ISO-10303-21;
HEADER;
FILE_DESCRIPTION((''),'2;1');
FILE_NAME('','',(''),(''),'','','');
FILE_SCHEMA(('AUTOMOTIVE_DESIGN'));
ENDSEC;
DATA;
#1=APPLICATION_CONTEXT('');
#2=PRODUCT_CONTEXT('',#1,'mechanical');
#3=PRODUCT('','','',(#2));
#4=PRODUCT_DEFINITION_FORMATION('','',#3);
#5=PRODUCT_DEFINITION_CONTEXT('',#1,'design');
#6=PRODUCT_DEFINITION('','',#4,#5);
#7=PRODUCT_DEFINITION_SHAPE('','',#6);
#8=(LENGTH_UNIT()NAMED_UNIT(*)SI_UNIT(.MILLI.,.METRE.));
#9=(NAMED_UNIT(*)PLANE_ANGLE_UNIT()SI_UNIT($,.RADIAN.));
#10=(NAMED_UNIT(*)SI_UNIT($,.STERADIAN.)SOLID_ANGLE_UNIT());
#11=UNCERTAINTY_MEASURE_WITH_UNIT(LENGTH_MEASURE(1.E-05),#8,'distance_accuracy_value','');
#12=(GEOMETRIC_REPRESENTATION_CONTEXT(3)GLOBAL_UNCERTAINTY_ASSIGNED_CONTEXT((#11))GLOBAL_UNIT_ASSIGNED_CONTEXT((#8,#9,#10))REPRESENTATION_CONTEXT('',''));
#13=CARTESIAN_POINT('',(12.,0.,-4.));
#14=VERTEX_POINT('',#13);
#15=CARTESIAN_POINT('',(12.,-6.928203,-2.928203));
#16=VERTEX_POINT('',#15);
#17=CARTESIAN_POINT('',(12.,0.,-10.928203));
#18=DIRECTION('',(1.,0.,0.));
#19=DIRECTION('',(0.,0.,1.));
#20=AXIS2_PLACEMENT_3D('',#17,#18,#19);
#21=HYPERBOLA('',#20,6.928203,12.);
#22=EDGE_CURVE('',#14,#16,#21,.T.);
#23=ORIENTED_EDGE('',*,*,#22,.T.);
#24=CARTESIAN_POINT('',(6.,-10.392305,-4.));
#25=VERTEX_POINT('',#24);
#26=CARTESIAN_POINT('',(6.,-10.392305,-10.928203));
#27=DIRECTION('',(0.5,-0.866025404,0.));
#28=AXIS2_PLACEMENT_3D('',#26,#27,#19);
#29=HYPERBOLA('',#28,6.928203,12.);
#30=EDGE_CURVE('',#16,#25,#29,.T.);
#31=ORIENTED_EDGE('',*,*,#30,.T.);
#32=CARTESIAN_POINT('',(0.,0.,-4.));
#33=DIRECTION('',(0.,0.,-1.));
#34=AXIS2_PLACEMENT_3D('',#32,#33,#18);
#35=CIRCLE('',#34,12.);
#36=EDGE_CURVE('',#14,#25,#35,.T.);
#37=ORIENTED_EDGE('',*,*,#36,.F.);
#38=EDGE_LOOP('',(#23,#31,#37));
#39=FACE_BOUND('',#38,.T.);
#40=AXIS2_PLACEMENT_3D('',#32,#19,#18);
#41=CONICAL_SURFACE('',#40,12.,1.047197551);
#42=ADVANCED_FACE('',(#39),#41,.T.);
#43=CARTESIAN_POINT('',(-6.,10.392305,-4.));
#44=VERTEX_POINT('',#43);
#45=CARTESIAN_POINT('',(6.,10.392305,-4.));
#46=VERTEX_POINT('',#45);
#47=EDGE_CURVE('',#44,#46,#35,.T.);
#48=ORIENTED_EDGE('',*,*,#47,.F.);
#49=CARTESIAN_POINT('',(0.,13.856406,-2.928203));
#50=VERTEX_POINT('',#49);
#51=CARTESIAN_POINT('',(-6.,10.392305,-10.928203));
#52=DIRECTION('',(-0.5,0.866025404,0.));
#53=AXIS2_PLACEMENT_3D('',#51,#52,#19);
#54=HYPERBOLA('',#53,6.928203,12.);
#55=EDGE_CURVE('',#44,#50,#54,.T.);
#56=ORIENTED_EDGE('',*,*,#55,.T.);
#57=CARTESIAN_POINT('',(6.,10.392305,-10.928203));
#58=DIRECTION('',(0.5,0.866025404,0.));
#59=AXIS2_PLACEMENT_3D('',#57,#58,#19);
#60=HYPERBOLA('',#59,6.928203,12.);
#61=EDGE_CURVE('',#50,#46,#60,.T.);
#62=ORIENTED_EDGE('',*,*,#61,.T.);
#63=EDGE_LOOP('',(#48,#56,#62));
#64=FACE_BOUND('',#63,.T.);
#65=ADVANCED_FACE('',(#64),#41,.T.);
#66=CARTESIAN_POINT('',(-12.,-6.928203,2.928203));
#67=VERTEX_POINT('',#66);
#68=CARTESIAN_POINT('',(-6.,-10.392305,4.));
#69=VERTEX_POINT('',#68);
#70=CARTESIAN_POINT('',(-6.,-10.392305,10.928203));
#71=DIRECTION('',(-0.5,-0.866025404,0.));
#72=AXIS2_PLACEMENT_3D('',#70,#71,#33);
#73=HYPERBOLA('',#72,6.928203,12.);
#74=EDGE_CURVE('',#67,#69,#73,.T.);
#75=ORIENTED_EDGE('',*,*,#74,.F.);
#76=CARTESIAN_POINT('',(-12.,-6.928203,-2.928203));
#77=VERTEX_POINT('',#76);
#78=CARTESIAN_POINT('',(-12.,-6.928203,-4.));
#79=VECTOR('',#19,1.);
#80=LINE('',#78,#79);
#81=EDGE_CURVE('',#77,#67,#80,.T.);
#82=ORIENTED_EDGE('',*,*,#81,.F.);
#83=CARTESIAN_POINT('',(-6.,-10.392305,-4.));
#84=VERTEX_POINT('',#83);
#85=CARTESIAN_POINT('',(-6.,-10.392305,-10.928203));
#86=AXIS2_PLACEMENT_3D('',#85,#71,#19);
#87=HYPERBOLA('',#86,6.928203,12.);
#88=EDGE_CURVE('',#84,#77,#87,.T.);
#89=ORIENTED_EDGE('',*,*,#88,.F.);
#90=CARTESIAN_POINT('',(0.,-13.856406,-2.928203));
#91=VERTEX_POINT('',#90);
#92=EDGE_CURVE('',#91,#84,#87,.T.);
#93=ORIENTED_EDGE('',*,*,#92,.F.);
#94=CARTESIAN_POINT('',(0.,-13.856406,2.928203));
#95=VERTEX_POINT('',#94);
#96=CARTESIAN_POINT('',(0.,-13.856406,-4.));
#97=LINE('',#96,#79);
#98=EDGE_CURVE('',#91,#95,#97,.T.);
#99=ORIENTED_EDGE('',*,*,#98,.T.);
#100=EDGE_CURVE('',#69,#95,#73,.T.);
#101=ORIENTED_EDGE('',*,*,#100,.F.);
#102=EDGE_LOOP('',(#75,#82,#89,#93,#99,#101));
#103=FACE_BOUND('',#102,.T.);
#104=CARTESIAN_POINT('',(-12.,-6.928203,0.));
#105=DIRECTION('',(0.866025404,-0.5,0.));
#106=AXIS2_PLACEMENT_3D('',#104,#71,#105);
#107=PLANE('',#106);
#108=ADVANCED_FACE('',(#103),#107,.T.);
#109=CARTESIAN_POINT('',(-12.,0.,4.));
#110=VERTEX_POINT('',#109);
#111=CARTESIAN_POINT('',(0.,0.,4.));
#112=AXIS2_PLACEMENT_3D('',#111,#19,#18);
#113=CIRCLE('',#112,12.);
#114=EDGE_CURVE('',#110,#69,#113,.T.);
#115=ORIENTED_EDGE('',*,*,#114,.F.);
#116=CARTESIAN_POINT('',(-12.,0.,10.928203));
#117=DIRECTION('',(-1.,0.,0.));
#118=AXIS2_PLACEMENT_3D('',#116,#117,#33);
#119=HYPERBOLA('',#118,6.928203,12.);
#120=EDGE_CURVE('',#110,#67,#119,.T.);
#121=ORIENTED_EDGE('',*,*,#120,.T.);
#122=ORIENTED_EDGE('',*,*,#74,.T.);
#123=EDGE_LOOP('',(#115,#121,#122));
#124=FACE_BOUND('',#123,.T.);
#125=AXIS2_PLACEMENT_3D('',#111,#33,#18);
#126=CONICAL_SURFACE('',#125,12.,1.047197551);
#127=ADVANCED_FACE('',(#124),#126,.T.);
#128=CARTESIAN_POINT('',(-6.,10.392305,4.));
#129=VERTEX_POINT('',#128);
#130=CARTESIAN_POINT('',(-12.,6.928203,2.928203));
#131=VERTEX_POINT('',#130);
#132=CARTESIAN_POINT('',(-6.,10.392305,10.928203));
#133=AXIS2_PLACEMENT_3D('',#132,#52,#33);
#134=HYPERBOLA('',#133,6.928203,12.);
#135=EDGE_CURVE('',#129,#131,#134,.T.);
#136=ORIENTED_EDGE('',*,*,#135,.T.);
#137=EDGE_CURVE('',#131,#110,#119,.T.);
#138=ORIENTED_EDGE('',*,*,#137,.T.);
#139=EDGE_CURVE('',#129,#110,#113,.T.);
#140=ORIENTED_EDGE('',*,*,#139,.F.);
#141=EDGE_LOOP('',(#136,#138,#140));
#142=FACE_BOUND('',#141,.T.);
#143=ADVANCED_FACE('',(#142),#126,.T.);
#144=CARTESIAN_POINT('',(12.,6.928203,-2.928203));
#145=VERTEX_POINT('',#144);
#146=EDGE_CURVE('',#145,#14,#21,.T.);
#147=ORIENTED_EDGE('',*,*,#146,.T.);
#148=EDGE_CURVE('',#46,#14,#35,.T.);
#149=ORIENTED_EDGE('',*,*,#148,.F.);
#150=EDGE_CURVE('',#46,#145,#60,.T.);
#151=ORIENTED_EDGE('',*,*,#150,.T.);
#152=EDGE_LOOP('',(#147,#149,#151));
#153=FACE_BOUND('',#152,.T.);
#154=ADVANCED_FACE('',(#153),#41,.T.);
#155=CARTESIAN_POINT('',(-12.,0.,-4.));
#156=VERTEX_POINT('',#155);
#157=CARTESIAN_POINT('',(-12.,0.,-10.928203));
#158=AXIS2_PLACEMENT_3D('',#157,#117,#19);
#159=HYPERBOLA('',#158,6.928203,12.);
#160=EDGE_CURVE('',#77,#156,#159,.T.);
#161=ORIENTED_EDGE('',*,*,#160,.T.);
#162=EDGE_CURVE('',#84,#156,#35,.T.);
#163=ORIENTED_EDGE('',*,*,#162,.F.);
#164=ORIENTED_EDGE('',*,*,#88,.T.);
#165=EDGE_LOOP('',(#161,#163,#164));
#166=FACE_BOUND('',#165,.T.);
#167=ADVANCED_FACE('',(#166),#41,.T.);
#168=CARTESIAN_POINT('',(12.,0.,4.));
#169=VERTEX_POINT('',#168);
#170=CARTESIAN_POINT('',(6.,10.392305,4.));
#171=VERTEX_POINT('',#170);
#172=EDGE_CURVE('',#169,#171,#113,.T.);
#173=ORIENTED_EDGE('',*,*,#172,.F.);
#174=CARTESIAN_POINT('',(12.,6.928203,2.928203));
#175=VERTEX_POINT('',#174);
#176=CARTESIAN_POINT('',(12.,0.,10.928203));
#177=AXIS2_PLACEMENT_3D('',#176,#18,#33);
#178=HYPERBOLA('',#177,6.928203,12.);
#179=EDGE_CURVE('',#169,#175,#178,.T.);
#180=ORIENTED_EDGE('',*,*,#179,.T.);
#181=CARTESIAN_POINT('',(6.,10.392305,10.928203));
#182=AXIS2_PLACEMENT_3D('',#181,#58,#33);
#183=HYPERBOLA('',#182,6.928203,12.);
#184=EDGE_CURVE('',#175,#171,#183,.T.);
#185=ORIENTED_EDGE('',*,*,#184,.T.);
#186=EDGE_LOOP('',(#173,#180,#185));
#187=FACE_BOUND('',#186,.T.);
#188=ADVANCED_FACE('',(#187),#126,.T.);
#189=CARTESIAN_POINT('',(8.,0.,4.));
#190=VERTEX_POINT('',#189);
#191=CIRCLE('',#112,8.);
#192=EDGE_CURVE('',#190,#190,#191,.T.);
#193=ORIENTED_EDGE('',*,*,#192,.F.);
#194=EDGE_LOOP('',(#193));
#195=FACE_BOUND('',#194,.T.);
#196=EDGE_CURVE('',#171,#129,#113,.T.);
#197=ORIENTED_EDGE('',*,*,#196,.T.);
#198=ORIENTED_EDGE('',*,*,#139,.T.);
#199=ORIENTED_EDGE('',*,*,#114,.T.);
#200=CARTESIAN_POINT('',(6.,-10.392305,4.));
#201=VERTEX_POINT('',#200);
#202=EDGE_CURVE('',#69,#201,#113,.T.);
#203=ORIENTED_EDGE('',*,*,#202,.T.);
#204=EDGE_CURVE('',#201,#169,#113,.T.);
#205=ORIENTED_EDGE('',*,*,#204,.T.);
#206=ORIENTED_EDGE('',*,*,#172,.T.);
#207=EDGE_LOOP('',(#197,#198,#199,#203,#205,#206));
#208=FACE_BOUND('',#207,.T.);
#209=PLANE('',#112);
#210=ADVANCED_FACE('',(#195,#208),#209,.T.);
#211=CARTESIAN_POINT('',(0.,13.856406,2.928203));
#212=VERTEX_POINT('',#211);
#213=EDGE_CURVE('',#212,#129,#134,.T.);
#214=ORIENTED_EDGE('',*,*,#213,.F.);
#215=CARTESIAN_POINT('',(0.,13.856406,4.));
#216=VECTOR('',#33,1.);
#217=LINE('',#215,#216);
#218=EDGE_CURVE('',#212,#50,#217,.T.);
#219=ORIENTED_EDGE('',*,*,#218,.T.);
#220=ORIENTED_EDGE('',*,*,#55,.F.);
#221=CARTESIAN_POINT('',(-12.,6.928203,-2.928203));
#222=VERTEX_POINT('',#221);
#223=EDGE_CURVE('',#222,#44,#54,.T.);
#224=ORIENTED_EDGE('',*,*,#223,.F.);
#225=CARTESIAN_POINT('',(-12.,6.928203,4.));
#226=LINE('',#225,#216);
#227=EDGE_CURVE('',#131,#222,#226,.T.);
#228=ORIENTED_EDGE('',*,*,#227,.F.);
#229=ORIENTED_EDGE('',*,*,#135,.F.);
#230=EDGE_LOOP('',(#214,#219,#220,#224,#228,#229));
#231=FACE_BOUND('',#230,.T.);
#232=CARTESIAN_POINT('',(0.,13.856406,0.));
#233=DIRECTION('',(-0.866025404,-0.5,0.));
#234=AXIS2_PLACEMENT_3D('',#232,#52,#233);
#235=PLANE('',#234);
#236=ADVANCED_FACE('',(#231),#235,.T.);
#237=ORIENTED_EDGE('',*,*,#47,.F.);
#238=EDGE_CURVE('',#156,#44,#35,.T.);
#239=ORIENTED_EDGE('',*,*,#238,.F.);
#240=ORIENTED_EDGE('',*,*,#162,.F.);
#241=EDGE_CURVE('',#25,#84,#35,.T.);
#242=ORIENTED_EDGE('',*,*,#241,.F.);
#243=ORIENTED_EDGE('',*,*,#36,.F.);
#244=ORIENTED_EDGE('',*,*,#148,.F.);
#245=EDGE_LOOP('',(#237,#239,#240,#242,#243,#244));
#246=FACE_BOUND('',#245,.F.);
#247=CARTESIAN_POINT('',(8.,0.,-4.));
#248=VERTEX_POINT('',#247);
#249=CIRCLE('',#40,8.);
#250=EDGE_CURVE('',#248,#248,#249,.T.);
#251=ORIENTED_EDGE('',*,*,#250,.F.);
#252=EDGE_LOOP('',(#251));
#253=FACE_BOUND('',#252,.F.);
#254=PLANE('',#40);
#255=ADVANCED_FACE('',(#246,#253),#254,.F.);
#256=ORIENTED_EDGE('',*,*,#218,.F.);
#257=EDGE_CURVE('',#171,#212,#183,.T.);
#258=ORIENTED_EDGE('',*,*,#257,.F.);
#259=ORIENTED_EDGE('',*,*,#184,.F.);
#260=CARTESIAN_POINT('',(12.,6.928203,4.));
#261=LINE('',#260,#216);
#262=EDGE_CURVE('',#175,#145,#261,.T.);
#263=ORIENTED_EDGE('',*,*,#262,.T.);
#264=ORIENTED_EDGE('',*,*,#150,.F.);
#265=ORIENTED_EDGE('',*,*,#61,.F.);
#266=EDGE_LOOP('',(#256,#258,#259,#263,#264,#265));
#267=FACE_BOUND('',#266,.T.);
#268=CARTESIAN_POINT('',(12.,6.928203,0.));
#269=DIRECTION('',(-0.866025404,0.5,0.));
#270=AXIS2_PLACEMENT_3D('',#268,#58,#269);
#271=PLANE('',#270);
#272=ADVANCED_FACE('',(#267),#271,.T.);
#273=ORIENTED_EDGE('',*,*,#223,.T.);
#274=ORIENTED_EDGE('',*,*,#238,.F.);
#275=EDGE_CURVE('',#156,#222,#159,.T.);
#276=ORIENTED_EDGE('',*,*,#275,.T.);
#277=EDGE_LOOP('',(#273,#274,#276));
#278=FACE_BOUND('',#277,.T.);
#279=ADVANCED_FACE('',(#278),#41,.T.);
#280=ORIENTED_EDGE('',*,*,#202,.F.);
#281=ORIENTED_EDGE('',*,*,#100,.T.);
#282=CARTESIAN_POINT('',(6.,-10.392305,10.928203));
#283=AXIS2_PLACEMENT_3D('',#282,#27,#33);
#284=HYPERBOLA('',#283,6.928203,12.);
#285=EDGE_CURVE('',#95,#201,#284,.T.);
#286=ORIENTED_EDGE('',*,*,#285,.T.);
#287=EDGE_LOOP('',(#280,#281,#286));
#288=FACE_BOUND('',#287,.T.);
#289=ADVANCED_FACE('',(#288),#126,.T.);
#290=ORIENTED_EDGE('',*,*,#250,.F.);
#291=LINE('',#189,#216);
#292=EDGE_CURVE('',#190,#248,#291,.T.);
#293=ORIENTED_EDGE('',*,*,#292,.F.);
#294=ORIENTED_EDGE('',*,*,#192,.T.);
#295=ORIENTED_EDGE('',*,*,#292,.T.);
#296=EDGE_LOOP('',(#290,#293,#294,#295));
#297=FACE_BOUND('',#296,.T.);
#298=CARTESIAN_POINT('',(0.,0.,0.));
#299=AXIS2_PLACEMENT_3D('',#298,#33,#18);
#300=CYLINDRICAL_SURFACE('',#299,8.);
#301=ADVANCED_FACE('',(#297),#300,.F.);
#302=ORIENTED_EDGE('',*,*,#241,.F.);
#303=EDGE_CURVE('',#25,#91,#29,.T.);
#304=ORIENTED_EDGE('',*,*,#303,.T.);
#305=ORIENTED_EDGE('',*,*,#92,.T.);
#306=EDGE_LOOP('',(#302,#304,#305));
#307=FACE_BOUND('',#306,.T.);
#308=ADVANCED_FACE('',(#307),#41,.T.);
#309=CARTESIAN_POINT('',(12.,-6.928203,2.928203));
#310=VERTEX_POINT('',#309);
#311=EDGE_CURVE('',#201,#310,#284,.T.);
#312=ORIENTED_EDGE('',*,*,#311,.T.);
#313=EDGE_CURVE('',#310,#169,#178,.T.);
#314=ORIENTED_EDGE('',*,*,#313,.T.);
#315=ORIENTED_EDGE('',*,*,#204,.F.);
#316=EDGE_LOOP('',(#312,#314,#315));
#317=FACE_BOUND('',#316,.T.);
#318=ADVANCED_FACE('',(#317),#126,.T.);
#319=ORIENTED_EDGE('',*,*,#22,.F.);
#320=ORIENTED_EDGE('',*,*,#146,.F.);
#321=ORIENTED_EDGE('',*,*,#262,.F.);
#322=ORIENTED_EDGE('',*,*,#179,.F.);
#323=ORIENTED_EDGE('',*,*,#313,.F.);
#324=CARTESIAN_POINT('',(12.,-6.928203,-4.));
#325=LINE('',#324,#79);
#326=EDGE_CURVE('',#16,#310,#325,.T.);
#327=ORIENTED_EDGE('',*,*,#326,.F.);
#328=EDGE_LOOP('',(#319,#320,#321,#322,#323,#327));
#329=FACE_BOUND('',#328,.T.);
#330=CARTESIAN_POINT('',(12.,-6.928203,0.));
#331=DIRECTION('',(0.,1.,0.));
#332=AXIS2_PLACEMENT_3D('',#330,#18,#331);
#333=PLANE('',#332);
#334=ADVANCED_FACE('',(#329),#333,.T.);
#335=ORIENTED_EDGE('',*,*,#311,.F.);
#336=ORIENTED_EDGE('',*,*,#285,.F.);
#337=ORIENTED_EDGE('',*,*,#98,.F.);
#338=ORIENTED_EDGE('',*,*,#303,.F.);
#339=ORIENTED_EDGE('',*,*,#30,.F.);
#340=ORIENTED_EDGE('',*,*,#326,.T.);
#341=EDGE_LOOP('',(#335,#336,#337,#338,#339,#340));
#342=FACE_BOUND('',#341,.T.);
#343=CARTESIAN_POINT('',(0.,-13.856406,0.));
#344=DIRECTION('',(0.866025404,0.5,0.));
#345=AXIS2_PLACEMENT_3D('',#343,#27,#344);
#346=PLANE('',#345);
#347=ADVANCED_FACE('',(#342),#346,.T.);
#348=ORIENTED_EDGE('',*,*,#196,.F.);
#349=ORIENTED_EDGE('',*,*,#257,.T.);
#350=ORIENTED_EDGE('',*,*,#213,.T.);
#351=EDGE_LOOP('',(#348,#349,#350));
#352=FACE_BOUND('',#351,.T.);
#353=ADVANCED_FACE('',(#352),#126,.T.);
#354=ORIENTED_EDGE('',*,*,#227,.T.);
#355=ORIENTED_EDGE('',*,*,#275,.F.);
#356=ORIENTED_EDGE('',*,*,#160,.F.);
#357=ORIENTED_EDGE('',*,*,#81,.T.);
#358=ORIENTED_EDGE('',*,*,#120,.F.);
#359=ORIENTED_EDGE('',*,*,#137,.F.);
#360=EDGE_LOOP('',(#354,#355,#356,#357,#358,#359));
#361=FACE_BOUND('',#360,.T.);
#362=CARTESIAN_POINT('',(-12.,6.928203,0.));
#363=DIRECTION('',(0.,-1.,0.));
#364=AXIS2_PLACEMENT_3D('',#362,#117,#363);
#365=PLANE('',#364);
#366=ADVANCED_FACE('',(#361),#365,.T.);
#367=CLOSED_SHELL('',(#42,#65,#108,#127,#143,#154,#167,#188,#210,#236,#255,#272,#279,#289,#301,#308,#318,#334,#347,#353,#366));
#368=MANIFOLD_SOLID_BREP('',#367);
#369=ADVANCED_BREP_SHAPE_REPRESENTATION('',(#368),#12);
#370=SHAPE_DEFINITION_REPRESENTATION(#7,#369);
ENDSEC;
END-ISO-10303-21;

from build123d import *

# Parameters (mm, degrees)
SZKIC1_R                    = 8
DODANIE_WYCI_GNI_CIE1_DEPTH = 4
SZKIC2_OUTSIDE_W            = 61.218
SZKIC2_OUTSIDE_H            = 64.93
SZKIC2_OUTSIDE_R            = 12
WYTNIJ_WYCI_GNI_CIE2_DEPTH  = 8
WYTNIJ_WYCI_GNI_CIE2_DRAFT  = -60
LUSTRO1_COPY_1_SKETCH_W     = 61.218
LUSTRO1_COPY_1_SKETCH_H     = 64.93
LUSTRO1_COPY_1_SKETCH_R     = 12
LUSTRO1_COPY_1_DEPTH        = 8
LUSTRO1_COPY_1_DRAFT        = -60


with BuildPart() as part:
    # Szkic1 → Dodanie-wyciągnięcie1 (new, symmetric)
    with BuildSketch(Plane.XY):
        Polygon((-12, 6.92820323), (-12, -6.92820323), (0, -13.856406461), (12, -6.92820323), (12, 6.92820323), (0, 13.856406461), align=None)
        Circle(SZKIC1_R, mode=Mode.SUBTRACT)
    extrude(amount=DODANIE_WYCI_GNI_CIE1_DEPTH, both=True)


with BuildPart() as wytnij_wyci_gni_cie2_tool:
    # Szkic2 outside → Wytnij-wyciągnięcie2 (with draft: the straight prism first)
    with BuildSketch(Plane.XY.offset(4)):
        Rectangle(SZKIC2_OUTSIDE_W, SZKIC2_OUTSIDE_H)
        Circle(SZKIC2_OUTSIDE_R, mode=Mode.SUBTRACT)
    extrude(amount=-WYTNIJ_WYCI_GNI_CIE2_DEPTH)
    # Wytnij-wyciągnięcie2: the draft: its side faces are tilted about the plane it starts from
    wytnij_wyci_gni_cie2_sides = [wytnij_wyci_gni_cie2_tool.faces().sort_by_distance(p)[0] for p in [
        (0, -32.465, 0),
        (30.609, 0, 0),
        (0, 32.465, 0),
        (-30.609, 0, 0),
        (-12, 0, 0),
    ]]
    draft(wytnij_wyci_gni_cie2_sides, Plane.XY.offset(4), WYTNIJ_WYCI_GNI_CIE2_DRAFT)


with BuildPart() as part_1:
    add(part.part)

    # Wytnij-wyciągnięcie2: cut by wytnij_wyci_gni_cie2_tool
    add(wytnij_wyci_gni_cie2_tool.part, mode=Mode.SUBTRACT)


with BuildPart() as lustro1_copy_1_tool:
    # Lustro1 copy 1 sketch → Lustro1 copy 1 (with draft: the straight prism first)
    with BuildSketch(Plane(origin=(0, 0, -4), x_dir=(1, 0, 0), z_dir=(0, 0, -1))):
        Rectangle(LUSTRO1_COPY_1_SKETCH_W, LUSTRO1_COPY_1_SKETCH_H)
        Circle(LUSTRO1_COPY_1_SKETCH_R, mode=Mode.SUBTRACT)
    extrude(amount=-LUSTRO1_COPY_1_DEPTH)
    # Lustro1 copy 1: the draft: its side faces are tilted about the plane it starts from
    lustro1_copy_1_sides = [lustro1_copy_1_tool.faces().sort_by_distance(p)[0] for p in [
        (0, -32.465, 0),
        (30.609, 0, 0),
        (0, 32.465, 0),
        (-30.609, 0, 0),
        (-12, 0, 0),
    ]]
    draft(lustro1_copy_1_sides, Plane(origin=(0, 0, -4), x_dir=(1, 0, 0), z_dir=(0, 0, -1)), LUSTRO1_COPY_1_DRAFT)


with BuildPart() as part_2:
    add(part_1.part)

    # Lustro1 copy 1: cut by lustro1_copy_1_tool
    add(lustro1_copy_1_tool.part, mode=Mode.SUBTRACT)


solid = part_2.part
